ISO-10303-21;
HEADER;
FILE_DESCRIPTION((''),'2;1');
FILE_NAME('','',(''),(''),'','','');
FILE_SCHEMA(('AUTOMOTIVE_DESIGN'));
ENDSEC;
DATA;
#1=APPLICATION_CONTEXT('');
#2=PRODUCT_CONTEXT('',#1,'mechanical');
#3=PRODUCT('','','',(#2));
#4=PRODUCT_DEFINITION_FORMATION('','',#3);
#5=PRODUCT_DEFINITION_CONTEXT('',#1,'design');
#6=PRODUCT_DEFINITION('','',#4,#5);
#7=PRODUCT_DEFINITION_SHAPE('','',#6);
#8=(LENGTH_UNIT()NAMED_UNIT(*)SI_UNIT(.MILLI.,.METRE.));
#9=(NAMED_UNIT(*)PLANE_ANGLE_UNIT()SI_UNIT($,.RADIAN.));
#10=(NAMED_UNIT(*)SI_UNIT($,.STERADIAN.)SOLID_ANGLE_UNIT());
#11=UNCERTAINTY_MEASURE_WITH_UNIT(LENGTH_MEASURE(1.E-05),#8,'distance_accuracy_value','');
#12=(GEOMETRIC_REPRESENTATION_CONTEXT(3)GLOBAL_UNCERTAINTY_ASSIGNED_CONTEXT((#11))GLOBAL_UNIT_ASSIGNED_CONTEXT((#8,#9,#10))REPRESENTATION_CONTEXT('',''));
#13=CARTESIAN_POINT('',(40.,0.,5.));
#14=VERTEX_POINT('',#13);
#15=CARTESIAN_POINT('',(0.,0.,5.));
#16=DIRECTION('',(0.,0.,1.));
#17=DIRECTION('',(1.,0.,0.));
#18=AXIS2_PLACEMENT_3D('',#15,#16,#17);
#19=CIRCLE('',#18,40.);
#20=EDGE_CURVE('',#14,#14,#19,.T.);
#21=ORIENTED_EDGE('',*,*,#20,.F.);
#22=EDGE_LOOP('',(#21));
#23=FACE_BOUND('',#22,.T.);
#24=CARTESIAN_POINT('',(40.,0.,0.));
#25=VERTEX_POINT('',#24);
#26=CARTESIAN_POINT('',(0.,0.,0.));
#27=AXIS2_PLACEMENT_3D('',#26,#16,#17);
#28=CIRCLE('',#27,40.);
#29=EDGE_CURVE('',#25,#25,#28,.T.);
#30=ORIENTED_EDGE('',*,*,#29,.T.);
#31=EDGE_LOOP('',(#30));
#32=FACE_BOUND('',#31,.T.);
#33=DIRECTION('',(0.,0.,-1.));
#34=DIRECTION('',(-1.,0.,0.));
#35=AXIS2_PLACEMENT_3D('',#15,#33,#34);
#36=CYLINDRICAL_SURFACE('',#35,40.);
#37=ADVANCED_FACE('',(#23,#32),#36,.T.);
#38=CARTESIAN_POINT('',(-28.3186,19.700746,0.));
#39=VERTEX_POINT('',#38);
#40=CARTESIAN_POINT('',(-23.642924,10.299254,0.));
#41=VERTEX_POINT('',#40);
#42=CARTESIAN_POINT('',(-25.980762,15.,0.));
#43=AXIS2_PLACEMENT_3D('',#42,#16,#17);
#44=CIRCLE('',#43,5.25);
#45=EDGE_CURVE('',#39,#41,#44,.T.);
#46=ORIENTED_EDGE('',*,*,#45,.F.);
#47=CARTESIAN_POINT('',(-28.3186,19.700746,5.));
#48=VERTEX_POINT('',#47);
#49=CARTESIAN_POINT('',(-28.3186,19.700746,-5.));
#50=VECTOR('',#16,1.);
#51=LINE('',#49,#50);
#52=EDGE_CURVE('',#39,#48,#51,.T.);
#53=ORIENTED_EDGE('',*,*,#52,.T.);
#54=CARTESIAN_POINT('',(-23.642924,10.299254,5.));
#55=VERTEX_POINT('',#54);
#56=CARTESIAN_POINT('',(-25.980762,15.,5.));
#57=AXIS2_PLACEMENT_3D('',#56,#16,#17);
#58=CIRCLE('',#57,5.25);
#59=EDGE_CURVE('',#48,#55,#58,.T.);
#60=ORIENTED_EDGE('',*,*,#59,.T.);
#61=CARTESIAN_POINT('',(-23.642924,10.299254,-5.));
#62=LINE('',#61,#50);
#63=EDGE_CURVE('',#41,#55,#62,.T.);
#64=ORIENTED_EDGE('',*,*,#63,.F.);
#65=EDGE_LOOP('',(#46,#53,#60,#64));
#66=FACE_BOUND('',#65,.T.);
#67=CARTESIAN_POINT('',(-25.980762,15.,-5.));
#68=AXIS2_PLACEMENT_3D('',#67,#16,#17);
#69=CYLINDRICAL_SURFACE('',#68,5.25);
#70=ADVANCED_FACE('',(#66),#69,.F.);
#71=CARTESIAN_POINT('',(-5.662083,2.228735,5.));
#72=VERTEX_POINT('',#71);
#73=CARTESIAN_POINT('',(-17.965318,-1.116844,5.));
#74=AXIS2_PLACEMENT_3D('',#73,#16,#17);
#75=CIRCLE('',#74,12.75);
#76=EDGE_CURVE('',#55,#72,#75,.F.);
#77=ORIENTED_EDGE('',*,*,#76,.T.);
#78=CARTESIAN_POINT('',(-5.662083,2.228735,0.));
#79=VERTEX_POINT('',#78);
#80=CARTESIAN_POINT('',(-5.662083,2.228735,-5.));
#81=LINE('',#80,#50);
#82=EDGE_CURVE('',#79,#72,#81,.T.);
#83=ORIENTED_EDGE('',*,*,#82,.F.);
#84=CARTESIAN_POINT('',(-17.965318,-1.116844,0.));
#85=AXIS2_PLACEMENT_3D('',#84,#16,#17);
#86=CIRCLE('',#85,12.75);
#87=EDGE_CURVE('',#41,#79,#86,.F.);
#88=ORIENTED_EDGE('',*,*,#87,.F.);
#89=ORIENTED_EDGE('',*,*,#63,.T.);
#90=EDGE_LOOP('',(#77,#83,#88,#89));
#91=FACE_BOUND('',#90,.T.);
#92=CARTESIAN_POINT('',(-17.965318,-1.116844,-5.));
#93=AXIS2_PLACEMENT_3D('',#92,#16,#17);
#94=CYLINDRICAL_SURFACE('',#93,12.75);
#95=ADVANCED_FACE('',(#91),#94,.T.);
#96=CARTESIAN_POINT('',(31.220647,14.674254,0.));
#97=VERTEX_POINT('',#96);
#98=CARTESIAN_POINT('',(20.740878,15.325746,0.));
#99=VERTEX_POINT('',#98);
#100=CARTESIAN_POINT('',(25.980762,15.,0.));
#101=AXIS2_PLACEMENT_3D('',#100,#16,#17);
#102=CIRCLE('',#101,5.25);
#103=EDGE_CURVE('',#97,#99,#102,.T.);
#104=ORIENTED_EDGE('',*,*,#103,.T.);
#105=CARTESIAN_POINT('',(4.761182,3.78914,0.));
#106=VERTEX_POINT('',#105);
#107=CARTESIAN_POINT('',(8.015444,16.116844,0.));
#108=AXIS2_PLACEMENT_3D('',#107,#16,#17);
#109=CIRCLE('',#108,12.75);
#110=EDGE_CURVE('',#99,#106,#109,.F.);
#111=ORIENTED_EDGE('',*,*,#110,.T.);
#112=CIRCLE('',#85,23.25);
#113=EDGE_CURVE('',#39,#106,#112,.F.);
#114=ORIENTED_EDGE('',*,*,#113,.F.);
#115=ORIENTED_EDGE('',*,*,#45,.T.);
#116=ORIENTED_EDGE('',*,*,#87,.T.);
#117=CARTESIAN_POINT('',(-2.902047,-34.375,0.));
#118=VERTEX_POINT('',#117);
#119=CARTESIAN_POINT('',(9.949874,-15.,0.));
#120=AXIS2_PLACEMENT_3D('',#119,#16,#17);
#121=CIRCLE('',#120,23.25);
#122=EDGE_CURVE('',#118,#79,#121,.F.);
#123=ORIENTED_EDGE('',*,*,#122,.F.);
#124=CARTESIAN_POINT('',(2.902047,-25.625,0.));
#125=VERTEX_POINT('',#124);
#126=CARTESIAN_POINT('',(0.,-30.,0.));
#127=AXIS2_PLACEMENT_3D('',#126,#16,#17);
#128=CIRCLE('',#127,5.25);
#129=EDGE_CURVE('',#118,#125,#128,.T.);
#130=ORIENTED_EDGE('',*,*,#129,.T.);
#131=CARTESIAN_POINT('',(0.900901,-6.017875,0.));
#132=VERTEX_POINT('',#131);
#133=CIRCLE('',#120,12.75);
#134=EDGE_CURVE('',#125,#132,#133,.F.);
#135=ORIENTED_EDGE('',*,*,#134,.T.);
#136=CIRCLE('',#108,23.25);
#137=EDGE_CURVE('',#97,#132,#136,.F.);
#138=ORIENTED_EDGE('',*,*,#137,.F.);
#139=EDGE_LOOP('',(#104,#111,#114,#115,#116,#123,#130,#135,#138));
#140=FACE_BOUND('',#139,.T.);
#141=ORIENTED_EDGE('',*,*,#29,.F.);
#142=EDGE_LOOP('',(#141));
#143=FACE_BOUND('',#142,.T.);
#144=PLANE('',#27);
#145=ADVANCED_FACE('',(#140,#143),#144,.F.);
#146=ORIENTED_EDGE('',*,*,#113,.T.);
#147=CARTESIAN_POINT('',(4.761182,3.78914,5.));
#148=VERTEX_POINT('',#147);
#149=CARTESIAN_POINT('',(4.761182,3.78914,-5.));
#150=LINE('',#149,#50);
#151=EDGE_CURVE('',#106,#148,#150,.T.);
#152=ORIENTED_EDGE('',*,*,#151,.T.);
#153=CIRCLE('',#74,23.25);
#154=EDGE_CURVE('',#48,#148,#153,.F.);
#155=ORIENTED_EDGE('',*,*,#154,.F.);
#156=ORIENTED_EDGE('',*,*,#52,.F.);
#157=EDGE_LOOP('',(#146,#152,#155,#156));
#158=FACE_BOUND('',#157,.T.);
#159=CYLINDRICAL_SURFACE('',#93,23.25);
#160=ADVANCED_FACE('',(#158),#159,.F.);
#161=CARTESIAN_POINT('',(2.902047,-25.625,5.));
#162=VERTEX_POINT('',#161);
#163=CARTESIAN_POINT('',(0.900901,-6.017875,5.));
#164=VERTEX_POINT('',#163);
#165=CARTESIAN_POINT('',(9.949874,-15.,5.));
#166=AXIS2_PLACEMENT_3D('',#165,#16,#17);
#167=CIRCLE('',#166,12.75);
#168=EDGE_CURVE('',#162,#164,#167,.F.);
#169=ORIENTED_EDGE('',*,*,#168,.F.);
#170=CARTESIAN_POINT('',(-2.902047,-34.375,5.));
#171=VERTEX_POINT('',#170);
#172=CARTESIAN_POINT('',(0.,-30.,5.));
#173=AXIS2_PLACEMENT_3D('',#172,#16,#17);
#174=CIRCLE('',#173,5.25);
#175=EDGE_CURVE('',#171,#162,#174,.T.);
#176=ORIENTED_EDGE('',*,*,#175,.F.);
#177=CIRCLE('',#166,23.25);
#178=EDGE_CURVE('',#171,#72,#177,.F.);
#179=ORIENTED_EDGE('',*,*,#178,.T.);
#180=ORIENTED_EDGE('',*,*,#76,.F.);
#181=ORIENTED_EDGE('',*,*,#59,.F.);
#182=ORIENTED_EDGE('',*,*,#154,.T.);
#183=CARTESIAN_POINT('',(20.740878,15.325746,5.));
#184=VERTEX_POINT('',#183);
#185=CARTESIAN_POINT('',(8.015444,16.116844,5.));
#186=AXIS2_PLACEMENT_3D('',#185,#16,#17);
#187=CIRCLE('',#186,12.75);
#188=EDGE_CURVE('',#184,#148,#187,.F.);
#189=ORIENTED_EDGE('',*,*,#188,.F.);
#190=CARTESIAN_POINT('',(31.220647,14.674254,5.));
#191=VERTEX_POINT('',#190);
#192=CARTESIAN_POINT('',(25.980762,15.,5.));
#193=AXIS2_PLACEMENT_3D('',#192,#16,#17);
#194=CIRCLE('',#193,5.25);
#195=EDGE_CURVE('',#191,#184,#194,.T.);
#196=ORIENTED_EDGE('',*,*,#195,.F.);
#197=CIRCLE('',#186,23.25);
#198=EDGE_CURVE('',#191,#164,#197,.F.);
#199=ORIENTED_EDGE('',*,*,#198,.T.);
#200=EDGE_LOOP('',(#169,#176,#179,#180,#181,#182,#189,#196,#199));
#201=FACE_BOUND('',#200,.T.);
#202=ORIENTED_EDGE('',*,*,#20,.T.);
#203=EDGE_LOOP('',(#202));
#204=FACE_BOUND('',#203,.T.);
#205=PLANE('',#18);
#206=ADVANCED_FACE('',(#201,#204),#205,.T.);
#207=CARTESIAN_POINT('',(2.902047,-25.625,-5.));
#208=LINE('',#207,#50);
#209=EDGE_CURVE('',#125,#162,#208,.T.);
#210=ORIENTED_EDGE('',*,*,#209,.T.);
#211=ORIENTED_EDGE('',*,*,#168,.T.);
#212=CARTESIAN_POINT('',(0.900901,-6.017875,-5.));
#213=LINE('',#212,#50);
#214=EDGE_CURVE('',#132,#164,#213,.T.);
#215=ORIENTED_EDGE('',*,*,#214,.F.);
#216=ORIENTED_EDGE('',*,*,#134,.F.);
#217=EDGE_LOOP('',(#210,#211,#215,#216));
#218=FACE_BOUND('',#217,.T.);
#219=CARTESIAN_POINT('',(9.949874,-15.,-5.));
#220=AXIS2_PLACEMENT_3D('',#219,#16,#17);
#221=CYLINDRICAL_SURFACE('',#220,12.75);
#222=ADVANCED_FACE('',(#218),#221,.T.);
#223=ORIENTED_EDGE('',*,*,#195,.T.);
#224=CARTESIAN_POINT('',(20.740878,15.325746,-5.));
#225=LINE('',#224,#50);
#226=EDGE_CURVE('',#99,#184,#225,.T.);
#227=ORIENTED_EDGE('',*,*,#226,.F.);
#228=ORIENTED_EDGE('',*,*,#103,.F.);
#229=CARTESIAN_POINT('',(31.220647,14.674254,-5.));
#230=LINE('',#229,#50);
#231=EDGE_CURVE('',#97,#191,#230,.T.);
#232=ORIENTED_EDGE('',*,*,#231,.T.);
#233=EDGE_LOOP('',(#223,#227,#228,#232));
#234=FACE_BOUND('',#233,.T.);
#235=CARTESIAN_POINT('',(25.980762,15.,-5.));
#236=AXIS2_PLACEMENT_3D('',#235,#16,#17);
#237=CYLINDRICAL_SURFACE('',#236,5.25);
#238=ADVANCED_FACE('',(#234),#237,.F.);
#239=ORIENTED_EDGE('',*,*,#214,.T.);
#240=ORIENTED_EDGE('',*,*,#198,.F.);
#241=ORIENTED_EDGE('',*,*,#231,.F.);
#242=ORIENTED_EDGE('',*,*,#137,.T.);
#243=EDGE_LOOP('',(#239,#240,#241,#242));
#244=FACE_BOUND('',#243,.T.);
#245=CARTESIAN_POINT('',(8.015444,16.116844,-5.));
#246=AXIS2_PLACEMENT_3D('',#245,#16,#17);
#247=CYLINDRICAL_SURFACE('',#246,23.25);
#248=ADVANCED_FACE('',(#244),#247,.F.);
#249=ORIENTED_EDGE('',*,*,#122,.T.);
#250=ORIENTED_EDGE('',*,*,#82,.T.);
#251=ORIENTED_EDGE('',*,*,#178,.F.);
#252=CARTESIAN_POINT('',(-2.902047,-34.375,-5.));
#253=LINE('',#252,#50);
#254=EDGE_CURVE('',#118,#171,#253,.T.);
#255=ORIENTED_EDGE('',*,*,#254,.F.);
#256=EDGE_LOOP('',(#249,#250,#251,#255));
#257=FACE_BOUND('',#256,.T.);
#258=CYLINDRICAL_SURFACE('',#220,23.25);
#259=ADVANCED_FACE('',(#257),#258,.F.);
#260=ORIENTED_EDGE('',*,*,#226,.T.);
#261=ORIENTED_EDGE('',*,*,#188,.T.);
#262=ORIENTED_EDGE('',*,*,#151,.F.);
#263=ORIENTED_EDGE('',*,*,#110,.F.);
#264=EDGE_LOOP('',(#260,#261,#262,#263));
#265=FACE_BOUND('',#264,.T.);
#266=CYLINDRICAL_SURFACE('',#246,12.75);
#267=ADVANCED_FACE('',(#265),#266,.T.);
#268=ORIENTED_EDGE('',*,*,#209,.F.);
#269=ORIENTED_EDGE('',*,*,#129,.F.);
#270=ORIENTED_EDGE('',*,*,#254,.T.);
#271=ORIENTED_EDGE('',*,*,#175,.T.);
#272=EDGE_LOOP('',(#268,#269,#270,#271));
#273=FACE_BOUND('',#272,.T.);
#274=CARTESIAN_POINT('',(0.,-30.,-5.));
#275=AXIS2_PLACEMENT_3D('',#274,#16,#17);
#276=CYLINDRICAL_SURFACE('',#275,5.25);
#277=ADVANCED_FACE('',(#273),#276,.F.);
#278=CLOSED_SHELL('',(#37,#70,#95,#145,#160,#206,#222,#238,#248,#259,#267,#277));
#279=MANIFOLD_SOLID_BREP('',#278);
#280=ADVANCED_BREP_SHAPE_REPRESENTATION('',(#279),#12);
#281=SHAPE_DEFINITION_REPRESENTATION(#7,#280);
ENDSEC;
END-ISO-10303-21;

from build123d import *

# Parameters (mm, degrees)
CROQUIS1_R            = 40
DISCO_DEPTH           = 5
CORTAR_EXTRUIR1_DEPTH = 10


with BuildPart() as part:
    # Croquis1 → Disco (new body)
    with BuildSketch(Plane.XY):
        Circle(CROQUIS1_R)
    extrude(amount=DISCO_DEPTH)

    # Croquis6 → Cortar-Extruir1 (cut)
    with BuildSketch(Plane.XY.offset(5)):
        with BuildLine():
            ThreePointArc((20.740877626, 15.325746158), (15.478626449, 5.779368175), (4.761182136, 3.789140187))
            ThreePointArc((4.761182136, 3.789140187), (-7.887176724, 19.835329272), (-28.318599909, 19.700746158))
            ThreePointArc((-28.318599909, 19.700746158), (-30.681508271, 12.662162204), (-23.642924318, 10.299253842))
            ThreePointArc((-23.642924318, 10.299253842), (-12.744392882, 10.515199633), (-5.662082728, 2.228734589))
            ThreePointArc((-5.662082728, 2.228734589), (-13.23431068, -16.748160043), (-2.902046692, -34.375))
            ThreePointArc((-2.902046692, -34.375), (4.375, -32.902046692), (2.902046692, -25.625))
            ThreePointArc((2.902046692, -25.625), (-2.734233567, -16.294567808), (0.900900592, -6.017874775))
            ThreePointArc((0.900900592, -6.017874775), (21.121487404, -3.087169229), (31.220646601, 14.674253842))
            ThreePointArc((31.220646601, 14.674253842), (26.306508271, 20.239884487), (20.740877626, 15.325746158))
        make_face()
    extrude(amount=-CORTAR_EXTRUIR1_DEPTH, mode=Mode.SUBTRACT)


solid = part.part
